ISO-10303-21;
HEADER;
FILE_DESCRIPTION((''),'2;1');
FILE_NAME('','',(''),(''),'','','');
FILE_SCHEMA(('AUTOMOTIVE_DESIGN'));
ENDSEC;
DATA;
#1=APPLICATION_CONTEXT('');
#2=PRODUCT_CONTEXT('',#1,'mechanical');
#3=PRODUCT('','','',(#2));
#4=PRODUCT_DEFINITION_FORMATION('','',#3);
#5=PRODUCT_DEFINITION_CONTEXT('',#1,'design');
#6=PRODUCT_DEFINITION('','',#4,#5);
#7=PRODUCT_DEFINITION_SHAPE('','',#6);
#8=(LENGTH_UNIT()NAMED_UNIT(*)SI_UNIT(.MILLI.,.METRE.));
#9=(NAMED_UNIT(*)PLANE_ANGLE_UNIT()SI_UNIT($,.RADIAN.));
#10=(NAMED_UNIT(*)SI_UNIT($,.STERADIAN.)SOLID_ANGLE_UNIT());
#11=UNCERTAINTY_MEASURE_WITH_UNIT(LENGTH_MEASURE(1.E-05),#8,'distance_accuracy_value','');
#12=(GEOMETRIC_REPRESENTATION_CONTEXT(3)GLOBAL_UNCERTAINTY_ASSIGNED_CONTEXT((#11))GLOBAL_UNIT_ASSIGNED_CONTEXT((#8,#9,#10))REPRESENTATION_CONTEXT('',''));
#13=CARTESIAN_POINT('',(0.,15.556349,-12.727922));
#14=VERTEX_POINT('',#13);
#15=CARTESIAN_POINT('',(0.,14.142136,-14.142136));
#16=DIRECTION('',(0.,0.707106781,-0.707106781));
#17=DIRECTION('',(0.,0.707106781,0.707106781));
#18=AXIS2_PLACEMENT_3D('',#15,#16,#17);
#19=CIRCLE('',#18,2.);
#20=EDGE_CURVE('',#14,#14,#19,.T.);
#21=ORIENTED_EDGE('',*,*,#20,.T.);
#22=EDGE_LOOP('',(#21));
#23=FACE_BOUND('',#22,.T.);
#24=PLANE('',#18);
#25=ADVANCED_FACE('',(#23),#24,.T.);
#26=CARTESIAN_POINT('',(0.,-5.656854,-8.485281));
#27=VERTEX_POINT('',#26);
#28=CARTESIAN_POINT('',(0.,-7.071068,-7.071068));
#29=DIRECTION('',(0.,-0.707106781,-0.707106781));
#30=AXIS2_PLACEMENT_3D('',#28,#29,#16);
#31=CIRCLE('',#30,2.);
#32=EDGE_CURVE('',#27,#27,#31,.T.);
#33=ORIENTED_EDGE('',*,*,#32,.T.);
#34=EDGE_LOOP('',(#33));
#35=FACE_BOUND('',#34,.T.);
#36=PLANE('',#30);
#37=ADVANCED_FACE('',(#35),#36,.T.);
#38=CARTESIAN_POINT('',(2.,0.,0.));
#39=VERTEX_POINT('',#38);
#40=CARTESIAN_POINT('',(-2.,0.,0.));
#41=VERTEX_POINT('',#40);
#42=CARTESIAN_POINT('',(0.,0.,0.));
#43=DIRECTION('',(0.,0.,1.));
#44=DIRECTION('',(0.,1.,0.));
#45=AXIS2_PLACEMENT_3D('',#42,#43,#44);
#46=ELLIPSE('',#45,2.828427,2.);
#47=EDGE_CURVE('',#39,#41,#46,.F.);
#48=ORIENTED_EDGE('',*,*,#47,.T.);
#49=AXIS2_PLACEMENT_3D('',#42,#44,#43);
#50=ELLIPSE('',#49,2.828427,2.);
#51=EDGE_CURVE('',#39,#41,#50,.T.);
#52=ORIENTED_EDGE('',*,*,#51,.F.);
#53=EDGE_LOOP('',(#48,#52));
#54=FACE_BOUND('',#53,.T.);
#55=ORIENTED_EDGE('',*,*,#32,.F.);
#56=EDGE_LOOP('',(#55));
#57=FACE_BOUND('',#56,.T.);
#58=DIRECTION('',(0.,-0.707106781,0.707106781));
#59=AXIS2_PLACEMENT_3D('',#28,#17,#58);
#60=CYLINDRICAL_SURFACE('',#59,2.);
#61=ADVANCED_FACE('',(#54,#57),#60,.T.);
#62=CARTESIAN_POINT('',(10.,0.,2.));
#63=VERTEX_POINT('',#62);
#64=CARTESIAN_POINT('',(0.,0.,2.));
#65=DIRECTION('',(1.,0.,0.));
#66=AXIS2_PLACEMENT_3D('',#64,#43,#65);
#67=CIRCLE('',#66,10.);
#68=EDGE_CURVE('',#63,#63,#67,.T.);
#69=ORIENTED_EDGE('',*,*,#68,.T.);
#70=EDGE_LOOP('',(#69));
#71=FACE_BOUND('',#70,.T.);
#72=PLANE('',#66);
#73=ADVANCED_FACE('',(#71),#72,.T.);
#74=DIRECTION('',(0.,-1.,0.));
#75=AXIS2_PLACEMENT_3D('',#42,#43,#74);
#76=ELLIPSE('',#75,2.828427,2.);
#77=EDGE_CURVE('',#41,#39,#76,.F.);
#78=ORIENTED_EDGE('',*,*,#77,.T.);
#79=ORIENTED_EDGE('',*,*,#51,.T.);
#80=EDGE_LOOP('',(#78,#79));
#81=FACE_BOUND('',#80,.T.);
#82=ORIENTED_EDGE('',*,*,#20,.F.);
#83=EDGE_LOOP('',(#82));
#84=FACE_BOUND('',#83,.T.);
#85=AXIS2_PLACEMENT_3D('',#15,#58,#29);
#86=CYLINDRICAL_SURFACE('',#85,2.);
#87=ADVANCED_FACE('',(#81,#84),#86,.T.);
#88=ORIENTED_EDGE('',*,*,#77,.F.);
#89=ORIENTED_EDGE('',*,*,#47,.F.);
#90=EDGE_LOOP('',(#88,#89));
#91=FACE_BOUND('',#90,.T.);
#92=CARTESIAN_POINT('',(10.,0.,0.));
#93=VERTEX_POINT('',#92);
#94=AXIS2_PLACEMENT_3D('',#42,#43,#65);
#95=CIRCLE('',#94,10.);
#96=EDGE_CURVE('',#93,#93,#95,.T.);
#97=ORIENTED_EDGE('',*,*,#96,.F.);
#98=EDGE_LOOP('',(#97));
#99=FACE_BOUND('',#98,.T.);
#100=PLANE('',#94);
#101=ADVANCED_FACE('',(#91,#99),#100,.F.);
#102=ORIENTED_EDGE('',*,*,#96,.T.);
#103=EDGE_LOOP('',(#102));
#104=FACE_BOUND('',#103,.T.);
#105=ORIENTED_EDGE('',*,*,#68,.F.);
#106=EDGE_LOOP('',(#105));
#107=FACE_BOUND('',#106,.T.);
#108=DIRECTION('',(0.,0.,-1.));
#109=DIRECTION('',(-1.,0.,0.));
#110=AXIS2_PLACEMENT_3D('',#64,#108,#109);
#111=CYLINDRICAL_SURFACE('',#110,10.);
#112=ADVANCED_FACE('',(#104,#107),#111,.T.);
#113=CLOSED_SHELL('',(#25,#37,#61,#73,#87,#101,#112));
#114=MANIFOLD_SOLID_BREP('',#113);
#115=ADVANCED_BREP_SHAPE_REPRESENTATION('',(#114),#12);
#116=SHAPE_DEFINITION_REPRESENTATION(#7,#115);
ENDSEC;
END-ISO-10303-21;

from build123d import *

# Parameters (mm, degrees)
SKETCH1_R           = 10
BOSS_EXTRUDE1_DEPTH = 2
SKETCH3_R           = 2
BOSS_EXTRUDE2_DEPTH = 10
SKETCH4_R           = 2
BOSS_EXTRUDE3_DEPTH = 20


with BuildPart() as part:
    # Sketch1 → Boss-Extrude1 (new body)
    with BuildSketch(Plane.XY):
        Circle(SKETCH1_R)
    extrude(amount=BOSS_EXTRUDE1_DEPTH)

    # Sketch3 → Boss-Extrude2 (add)
    with BuildSketch(Plane(origin=(0, 0, 0), x_dir=(-1, 0, 0), z_dir=(0, -0.7071067811865476, -0.7071067811865476))):
        with Locations(Location((0, 0, 0), (0, 0, 180))):
            Circle(SKETCH3_R)
    extrude(amount=BOSS_EXTRUDE2_DEPTH)

    # Sketch4 → Boss-Extrude3 (add)
    with BuildSketch(Plane(origin=(0, 0, 0), x_dir=(-1, 0, 0), z_dir=(0, 0.7071067811865477, -0.7071067811865475))):
        Circle(SKETCH4_R)
    extrude(amount=BOSS_EXTRUDE3_DEPTH)


solid = part.part
